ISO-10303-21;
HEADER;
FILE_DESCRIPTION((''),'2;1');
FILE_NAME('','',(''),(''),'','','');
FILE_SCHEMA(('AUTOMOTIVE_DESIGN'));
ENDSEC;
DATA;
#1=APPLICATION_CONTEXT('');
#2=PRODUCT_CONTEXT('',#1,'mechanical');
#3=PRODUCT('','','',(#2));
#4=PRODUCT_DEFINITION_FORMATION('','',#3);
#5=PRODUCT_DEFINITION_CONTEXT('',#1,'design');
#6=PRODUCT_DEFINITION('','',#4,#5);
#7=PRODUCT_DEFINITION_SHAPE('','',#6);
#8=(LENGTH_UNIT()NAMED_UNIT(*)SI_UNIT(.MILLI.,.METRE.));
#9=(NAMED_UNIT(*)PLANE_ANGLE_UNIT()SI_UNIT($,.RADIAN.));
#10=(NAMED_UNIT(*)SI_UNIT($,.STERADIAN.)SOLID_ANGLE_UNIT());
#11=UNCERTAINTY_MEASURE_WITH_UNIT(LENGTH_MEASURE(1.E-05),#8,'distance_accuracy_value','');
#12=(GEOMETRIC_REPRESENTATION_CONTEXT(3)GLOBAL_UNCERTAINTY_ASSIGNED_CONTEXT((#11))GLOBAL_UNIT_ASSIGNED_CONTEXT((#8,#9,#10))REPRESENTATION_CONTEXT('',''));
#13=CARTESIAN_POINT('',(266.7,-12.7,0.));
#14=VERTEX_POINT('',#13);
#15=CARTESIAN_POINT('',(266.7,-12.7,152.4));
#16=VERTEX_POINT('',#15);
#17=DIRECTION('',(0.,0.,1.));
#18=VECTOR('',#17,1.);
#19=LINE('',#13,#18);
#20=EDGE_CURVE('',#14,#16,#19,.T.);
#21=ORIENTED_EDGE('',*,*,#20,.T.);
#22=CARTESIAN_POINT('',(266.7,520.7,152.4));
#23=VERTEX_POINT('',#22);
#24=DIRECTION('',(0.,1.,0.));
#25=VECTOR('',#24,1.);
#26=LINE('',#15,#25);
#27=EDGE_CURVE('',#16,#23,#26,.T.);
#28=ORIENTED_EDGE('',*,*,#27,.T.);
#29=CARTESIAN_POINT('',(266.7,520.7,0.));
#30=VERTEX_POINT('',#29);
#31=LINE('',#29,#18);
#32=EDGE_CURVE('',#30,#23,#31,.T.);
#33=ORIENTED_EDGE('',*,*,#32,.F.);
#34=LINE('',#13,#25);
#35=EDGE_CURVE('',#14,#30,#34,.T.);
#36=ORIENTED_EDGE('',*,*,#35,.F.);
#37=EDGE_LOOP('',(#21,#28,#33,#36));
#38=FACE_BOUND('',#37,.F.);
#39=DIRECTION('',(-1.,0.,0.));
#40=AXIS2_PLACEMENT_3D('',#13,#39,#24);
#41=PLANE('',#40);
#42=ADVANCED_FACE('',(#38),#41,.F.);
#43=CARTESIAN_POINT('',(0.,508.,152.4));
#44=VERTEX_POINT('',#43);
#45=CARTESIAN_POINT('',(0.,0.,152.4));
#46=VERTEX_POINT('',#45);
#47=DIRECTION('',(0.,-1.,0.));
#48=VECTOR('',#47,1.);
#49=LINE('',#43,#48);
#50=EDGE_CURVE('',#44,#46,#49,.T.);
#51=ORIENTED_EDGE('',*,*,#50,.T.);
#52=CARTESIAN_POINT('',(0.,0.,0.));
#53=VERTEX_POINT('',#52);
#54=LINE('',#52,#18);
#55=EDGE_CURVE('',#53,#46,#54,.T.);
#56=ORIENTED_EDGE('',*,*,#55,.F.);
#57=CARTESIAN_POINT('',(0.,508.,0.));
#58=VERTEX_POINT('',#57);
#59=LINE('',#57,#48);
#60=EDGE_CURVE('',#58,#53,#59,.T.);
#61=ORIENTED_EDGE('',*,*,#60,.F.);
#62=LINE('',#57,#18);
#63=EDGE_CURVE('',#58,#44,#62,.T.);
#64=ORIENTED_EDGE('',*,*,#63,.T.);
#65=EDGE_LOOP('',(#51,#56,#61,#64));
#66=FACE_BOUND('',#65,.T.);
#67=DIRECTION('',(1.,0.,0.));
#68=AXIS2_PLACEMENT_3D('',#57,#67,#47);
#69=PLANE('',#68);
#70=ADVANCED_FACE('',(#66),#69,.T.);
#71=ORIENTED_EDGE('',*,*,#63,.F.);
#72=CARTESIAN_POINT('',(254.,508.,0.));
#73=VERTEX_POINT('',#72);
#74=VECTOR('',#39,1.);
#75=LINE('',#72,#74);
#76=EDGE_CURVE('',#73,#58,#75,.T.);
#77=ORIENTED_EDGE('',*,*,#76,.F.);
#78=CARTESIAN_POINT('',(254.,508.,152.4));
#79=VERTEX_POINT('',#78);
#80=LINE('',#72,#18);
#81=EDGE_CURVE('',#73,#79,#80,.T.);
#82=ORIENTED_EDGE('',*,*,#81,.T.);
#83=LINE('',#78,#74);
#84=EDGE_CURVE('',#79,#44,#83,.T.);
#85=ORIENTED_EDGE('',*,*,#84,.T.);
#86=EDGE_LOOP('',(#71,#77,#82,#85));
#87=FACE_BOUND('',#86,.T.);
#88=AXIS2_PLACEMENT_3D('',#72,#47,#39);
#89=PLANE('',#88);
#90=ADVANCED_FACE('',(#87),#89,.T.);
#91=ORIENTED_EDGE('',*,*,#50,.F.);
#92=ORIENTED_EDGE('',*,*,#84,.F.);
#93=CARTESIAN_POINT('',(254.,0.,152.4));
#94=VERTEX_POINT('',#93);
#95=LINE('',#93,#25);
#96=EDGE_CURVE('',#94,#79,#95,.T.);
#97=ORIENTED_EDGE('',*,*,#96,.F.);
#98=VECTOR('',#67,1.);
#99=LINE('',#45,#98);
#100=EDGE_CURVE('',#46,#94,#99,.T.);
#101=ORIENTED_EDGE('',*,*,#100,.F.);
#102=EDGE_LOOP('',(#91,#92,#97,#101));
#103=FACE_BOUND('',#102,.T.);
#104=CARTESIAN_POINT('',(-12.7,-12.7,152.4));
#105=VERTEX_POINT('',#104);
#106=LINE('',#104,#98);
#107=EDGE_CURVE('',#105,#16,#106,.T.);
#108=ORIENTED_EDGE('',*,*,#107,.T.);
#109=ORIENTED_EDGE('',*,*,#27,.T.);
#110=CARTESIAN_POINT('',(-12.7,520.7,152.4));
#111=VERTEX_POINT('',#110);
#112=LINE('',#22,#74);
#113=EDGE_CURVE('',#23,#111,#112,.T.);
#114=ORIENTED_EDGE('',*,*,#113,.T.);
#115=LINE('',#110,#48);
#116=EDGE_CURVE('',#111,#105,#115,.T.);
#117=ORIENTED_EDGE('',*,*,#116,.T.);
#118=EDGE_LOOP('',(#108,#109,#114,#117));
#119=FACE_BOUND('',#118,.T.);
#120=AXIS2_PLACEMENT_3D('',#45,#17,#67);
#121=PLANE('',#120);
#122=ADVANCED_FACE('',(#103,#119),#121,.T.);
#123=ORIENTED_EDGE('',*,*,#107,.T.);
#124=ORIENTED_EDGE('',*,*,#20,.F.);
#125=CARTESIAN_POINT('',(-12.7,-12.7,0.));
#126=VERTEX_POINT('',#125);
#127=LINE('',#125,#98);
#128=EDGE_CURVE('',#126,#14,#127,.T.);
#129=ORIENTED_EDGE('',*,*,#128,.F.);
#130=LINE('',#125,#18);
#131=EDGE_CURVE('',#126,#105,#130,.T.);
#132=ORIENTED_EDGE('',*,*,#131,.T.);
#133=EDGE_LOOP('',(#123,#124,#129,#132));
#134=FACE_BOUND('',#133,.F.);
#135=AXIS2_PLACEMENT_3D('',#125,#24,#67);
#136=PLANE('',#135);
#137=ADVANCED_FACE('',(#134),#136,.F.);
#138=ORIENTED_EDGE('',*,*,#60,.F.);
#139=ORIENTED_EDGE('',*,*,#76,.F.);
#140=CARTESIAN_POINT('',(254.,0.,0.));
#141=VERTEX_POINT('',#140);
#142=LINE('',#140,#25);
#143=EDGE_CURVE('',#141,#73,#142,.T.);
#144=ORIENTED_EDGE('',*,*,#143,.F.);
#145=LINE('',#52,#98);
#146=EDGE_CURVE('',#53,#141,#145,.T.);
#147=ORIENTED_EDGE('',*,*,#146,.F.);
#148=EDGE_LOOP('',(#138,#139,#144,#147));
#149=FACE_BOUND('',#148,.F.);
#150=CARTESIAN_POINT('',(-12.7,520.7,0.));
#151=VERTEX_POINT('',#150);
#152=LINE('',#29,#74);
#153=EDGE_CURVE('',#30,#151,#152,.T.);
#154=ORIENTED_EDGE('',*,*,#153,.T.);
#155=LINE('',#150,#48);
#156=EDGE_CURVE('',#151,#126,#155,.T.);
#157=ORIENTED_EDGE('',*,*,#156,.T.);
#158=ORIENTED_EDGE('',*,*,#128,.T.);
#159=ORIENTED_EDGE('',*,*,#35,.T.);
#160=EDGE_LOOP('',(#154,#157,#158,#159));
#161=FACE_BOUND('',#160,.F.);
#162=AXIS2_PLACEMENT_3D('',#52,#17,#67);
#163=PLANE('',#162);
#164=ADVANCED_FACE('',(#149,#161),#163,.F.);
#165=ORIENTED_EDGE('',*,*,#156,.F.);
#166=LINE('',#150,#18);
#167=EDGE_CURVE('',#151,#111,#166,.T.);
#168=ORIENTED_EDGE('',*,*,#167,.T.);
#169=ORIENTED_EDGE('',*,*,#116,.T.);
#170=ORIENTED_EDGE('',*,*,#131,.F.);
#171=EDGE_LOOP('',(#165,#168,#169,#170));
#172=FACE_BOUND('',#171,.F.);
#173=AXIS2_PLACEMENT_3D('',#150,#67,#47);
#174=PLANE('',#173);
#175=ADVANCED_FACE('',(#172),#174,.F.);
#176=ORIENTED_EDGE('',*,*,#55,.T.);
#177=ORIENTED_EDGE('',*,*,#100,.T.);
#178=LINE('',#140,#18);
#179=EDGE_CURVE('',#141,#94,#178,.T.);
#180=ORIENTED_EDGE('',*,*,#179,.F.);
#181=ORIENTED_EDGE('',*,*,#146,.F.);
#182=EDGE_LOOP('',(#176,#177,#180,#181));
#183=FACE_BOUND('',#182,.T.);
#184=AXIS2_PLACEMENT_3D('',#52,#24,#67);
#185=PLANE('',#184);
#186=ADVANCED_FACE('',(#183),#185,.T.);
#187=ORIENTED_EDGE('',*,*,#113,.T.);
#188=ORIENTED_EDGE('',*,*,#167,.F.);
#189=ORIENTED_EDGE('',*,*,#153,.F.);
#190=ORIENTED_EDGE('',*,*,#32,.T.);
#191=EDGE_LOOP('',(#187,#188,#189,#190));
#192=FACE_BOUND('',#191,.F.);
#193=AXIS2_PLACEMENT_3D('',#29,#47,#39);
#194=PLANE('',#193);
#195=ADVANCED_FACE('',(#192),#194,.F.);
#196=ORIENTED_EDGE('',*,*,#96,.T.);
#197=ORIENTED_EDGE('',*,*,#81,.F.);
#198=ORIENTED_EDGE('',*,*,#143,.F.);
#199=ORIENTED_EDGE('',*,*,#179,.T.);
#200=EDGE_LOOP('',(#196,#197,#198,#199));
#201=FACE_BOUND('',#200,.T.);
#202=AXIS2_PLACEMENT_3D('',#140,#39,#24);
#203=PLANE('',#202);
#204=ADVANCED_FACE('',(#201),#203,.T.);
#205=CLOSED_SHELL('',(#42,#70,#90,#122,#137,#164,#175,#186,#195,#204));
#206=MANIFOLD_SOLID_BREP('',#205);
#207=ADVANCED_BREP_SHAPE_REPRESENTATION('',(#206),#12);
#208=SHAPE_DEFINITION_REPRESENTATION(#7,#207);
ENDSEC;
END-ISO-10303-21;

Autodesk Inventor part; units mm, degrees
ref_plane "YZ Plane" through (0, 0, 0) normal (1, 0, 0) x (0, 1, 0)
ref_plane "XZ Plane" through (0, 0, 0) normal (0, 1, 0) x (-1, 0, 0)
ref_plane "XY Plane" through (0, 0, 0) normal (0, 0, 1) x (1, 0, 0)
sketch "Sketch1" plane through (0, 0, 0) normal (0, 0, 1) x (1, 0, 0)
  line L0 (0, 0) -> (254, 0)
  line L1 (254, 0) -> (254, 508)
  line L2 (254, 508) -> (0, 508)
  line L3 (0, 508) -> (0, 0)
  line L4 (-12.7, -12.7) -> (266.7, -12.7)
  line L5 (266.7, -12.7) -> (266.7, 520.7)
  line L6 (266.7, 520.7) -> (-12.7, 520.7)
  line L7 (-12.7, 520.7) -> (-12.7, -12.7)
  line L8 (-12.7, -12.7) -> (266.7, 520.7) construction
  line L9 (266.7, -12.7) -> (-12.7, 520.7) construction
  point P0 (127, 254)
  dimension "d0" = 254
  dimension "d1" = 508
  dimension "d2" = 279.4
  dimension "d3" = 533.4
  dimension "d4" = 12.7
extrude "Extrusion1" add sketch "Sketch1" along normal blind 152.4
properties part number "empty_room"
